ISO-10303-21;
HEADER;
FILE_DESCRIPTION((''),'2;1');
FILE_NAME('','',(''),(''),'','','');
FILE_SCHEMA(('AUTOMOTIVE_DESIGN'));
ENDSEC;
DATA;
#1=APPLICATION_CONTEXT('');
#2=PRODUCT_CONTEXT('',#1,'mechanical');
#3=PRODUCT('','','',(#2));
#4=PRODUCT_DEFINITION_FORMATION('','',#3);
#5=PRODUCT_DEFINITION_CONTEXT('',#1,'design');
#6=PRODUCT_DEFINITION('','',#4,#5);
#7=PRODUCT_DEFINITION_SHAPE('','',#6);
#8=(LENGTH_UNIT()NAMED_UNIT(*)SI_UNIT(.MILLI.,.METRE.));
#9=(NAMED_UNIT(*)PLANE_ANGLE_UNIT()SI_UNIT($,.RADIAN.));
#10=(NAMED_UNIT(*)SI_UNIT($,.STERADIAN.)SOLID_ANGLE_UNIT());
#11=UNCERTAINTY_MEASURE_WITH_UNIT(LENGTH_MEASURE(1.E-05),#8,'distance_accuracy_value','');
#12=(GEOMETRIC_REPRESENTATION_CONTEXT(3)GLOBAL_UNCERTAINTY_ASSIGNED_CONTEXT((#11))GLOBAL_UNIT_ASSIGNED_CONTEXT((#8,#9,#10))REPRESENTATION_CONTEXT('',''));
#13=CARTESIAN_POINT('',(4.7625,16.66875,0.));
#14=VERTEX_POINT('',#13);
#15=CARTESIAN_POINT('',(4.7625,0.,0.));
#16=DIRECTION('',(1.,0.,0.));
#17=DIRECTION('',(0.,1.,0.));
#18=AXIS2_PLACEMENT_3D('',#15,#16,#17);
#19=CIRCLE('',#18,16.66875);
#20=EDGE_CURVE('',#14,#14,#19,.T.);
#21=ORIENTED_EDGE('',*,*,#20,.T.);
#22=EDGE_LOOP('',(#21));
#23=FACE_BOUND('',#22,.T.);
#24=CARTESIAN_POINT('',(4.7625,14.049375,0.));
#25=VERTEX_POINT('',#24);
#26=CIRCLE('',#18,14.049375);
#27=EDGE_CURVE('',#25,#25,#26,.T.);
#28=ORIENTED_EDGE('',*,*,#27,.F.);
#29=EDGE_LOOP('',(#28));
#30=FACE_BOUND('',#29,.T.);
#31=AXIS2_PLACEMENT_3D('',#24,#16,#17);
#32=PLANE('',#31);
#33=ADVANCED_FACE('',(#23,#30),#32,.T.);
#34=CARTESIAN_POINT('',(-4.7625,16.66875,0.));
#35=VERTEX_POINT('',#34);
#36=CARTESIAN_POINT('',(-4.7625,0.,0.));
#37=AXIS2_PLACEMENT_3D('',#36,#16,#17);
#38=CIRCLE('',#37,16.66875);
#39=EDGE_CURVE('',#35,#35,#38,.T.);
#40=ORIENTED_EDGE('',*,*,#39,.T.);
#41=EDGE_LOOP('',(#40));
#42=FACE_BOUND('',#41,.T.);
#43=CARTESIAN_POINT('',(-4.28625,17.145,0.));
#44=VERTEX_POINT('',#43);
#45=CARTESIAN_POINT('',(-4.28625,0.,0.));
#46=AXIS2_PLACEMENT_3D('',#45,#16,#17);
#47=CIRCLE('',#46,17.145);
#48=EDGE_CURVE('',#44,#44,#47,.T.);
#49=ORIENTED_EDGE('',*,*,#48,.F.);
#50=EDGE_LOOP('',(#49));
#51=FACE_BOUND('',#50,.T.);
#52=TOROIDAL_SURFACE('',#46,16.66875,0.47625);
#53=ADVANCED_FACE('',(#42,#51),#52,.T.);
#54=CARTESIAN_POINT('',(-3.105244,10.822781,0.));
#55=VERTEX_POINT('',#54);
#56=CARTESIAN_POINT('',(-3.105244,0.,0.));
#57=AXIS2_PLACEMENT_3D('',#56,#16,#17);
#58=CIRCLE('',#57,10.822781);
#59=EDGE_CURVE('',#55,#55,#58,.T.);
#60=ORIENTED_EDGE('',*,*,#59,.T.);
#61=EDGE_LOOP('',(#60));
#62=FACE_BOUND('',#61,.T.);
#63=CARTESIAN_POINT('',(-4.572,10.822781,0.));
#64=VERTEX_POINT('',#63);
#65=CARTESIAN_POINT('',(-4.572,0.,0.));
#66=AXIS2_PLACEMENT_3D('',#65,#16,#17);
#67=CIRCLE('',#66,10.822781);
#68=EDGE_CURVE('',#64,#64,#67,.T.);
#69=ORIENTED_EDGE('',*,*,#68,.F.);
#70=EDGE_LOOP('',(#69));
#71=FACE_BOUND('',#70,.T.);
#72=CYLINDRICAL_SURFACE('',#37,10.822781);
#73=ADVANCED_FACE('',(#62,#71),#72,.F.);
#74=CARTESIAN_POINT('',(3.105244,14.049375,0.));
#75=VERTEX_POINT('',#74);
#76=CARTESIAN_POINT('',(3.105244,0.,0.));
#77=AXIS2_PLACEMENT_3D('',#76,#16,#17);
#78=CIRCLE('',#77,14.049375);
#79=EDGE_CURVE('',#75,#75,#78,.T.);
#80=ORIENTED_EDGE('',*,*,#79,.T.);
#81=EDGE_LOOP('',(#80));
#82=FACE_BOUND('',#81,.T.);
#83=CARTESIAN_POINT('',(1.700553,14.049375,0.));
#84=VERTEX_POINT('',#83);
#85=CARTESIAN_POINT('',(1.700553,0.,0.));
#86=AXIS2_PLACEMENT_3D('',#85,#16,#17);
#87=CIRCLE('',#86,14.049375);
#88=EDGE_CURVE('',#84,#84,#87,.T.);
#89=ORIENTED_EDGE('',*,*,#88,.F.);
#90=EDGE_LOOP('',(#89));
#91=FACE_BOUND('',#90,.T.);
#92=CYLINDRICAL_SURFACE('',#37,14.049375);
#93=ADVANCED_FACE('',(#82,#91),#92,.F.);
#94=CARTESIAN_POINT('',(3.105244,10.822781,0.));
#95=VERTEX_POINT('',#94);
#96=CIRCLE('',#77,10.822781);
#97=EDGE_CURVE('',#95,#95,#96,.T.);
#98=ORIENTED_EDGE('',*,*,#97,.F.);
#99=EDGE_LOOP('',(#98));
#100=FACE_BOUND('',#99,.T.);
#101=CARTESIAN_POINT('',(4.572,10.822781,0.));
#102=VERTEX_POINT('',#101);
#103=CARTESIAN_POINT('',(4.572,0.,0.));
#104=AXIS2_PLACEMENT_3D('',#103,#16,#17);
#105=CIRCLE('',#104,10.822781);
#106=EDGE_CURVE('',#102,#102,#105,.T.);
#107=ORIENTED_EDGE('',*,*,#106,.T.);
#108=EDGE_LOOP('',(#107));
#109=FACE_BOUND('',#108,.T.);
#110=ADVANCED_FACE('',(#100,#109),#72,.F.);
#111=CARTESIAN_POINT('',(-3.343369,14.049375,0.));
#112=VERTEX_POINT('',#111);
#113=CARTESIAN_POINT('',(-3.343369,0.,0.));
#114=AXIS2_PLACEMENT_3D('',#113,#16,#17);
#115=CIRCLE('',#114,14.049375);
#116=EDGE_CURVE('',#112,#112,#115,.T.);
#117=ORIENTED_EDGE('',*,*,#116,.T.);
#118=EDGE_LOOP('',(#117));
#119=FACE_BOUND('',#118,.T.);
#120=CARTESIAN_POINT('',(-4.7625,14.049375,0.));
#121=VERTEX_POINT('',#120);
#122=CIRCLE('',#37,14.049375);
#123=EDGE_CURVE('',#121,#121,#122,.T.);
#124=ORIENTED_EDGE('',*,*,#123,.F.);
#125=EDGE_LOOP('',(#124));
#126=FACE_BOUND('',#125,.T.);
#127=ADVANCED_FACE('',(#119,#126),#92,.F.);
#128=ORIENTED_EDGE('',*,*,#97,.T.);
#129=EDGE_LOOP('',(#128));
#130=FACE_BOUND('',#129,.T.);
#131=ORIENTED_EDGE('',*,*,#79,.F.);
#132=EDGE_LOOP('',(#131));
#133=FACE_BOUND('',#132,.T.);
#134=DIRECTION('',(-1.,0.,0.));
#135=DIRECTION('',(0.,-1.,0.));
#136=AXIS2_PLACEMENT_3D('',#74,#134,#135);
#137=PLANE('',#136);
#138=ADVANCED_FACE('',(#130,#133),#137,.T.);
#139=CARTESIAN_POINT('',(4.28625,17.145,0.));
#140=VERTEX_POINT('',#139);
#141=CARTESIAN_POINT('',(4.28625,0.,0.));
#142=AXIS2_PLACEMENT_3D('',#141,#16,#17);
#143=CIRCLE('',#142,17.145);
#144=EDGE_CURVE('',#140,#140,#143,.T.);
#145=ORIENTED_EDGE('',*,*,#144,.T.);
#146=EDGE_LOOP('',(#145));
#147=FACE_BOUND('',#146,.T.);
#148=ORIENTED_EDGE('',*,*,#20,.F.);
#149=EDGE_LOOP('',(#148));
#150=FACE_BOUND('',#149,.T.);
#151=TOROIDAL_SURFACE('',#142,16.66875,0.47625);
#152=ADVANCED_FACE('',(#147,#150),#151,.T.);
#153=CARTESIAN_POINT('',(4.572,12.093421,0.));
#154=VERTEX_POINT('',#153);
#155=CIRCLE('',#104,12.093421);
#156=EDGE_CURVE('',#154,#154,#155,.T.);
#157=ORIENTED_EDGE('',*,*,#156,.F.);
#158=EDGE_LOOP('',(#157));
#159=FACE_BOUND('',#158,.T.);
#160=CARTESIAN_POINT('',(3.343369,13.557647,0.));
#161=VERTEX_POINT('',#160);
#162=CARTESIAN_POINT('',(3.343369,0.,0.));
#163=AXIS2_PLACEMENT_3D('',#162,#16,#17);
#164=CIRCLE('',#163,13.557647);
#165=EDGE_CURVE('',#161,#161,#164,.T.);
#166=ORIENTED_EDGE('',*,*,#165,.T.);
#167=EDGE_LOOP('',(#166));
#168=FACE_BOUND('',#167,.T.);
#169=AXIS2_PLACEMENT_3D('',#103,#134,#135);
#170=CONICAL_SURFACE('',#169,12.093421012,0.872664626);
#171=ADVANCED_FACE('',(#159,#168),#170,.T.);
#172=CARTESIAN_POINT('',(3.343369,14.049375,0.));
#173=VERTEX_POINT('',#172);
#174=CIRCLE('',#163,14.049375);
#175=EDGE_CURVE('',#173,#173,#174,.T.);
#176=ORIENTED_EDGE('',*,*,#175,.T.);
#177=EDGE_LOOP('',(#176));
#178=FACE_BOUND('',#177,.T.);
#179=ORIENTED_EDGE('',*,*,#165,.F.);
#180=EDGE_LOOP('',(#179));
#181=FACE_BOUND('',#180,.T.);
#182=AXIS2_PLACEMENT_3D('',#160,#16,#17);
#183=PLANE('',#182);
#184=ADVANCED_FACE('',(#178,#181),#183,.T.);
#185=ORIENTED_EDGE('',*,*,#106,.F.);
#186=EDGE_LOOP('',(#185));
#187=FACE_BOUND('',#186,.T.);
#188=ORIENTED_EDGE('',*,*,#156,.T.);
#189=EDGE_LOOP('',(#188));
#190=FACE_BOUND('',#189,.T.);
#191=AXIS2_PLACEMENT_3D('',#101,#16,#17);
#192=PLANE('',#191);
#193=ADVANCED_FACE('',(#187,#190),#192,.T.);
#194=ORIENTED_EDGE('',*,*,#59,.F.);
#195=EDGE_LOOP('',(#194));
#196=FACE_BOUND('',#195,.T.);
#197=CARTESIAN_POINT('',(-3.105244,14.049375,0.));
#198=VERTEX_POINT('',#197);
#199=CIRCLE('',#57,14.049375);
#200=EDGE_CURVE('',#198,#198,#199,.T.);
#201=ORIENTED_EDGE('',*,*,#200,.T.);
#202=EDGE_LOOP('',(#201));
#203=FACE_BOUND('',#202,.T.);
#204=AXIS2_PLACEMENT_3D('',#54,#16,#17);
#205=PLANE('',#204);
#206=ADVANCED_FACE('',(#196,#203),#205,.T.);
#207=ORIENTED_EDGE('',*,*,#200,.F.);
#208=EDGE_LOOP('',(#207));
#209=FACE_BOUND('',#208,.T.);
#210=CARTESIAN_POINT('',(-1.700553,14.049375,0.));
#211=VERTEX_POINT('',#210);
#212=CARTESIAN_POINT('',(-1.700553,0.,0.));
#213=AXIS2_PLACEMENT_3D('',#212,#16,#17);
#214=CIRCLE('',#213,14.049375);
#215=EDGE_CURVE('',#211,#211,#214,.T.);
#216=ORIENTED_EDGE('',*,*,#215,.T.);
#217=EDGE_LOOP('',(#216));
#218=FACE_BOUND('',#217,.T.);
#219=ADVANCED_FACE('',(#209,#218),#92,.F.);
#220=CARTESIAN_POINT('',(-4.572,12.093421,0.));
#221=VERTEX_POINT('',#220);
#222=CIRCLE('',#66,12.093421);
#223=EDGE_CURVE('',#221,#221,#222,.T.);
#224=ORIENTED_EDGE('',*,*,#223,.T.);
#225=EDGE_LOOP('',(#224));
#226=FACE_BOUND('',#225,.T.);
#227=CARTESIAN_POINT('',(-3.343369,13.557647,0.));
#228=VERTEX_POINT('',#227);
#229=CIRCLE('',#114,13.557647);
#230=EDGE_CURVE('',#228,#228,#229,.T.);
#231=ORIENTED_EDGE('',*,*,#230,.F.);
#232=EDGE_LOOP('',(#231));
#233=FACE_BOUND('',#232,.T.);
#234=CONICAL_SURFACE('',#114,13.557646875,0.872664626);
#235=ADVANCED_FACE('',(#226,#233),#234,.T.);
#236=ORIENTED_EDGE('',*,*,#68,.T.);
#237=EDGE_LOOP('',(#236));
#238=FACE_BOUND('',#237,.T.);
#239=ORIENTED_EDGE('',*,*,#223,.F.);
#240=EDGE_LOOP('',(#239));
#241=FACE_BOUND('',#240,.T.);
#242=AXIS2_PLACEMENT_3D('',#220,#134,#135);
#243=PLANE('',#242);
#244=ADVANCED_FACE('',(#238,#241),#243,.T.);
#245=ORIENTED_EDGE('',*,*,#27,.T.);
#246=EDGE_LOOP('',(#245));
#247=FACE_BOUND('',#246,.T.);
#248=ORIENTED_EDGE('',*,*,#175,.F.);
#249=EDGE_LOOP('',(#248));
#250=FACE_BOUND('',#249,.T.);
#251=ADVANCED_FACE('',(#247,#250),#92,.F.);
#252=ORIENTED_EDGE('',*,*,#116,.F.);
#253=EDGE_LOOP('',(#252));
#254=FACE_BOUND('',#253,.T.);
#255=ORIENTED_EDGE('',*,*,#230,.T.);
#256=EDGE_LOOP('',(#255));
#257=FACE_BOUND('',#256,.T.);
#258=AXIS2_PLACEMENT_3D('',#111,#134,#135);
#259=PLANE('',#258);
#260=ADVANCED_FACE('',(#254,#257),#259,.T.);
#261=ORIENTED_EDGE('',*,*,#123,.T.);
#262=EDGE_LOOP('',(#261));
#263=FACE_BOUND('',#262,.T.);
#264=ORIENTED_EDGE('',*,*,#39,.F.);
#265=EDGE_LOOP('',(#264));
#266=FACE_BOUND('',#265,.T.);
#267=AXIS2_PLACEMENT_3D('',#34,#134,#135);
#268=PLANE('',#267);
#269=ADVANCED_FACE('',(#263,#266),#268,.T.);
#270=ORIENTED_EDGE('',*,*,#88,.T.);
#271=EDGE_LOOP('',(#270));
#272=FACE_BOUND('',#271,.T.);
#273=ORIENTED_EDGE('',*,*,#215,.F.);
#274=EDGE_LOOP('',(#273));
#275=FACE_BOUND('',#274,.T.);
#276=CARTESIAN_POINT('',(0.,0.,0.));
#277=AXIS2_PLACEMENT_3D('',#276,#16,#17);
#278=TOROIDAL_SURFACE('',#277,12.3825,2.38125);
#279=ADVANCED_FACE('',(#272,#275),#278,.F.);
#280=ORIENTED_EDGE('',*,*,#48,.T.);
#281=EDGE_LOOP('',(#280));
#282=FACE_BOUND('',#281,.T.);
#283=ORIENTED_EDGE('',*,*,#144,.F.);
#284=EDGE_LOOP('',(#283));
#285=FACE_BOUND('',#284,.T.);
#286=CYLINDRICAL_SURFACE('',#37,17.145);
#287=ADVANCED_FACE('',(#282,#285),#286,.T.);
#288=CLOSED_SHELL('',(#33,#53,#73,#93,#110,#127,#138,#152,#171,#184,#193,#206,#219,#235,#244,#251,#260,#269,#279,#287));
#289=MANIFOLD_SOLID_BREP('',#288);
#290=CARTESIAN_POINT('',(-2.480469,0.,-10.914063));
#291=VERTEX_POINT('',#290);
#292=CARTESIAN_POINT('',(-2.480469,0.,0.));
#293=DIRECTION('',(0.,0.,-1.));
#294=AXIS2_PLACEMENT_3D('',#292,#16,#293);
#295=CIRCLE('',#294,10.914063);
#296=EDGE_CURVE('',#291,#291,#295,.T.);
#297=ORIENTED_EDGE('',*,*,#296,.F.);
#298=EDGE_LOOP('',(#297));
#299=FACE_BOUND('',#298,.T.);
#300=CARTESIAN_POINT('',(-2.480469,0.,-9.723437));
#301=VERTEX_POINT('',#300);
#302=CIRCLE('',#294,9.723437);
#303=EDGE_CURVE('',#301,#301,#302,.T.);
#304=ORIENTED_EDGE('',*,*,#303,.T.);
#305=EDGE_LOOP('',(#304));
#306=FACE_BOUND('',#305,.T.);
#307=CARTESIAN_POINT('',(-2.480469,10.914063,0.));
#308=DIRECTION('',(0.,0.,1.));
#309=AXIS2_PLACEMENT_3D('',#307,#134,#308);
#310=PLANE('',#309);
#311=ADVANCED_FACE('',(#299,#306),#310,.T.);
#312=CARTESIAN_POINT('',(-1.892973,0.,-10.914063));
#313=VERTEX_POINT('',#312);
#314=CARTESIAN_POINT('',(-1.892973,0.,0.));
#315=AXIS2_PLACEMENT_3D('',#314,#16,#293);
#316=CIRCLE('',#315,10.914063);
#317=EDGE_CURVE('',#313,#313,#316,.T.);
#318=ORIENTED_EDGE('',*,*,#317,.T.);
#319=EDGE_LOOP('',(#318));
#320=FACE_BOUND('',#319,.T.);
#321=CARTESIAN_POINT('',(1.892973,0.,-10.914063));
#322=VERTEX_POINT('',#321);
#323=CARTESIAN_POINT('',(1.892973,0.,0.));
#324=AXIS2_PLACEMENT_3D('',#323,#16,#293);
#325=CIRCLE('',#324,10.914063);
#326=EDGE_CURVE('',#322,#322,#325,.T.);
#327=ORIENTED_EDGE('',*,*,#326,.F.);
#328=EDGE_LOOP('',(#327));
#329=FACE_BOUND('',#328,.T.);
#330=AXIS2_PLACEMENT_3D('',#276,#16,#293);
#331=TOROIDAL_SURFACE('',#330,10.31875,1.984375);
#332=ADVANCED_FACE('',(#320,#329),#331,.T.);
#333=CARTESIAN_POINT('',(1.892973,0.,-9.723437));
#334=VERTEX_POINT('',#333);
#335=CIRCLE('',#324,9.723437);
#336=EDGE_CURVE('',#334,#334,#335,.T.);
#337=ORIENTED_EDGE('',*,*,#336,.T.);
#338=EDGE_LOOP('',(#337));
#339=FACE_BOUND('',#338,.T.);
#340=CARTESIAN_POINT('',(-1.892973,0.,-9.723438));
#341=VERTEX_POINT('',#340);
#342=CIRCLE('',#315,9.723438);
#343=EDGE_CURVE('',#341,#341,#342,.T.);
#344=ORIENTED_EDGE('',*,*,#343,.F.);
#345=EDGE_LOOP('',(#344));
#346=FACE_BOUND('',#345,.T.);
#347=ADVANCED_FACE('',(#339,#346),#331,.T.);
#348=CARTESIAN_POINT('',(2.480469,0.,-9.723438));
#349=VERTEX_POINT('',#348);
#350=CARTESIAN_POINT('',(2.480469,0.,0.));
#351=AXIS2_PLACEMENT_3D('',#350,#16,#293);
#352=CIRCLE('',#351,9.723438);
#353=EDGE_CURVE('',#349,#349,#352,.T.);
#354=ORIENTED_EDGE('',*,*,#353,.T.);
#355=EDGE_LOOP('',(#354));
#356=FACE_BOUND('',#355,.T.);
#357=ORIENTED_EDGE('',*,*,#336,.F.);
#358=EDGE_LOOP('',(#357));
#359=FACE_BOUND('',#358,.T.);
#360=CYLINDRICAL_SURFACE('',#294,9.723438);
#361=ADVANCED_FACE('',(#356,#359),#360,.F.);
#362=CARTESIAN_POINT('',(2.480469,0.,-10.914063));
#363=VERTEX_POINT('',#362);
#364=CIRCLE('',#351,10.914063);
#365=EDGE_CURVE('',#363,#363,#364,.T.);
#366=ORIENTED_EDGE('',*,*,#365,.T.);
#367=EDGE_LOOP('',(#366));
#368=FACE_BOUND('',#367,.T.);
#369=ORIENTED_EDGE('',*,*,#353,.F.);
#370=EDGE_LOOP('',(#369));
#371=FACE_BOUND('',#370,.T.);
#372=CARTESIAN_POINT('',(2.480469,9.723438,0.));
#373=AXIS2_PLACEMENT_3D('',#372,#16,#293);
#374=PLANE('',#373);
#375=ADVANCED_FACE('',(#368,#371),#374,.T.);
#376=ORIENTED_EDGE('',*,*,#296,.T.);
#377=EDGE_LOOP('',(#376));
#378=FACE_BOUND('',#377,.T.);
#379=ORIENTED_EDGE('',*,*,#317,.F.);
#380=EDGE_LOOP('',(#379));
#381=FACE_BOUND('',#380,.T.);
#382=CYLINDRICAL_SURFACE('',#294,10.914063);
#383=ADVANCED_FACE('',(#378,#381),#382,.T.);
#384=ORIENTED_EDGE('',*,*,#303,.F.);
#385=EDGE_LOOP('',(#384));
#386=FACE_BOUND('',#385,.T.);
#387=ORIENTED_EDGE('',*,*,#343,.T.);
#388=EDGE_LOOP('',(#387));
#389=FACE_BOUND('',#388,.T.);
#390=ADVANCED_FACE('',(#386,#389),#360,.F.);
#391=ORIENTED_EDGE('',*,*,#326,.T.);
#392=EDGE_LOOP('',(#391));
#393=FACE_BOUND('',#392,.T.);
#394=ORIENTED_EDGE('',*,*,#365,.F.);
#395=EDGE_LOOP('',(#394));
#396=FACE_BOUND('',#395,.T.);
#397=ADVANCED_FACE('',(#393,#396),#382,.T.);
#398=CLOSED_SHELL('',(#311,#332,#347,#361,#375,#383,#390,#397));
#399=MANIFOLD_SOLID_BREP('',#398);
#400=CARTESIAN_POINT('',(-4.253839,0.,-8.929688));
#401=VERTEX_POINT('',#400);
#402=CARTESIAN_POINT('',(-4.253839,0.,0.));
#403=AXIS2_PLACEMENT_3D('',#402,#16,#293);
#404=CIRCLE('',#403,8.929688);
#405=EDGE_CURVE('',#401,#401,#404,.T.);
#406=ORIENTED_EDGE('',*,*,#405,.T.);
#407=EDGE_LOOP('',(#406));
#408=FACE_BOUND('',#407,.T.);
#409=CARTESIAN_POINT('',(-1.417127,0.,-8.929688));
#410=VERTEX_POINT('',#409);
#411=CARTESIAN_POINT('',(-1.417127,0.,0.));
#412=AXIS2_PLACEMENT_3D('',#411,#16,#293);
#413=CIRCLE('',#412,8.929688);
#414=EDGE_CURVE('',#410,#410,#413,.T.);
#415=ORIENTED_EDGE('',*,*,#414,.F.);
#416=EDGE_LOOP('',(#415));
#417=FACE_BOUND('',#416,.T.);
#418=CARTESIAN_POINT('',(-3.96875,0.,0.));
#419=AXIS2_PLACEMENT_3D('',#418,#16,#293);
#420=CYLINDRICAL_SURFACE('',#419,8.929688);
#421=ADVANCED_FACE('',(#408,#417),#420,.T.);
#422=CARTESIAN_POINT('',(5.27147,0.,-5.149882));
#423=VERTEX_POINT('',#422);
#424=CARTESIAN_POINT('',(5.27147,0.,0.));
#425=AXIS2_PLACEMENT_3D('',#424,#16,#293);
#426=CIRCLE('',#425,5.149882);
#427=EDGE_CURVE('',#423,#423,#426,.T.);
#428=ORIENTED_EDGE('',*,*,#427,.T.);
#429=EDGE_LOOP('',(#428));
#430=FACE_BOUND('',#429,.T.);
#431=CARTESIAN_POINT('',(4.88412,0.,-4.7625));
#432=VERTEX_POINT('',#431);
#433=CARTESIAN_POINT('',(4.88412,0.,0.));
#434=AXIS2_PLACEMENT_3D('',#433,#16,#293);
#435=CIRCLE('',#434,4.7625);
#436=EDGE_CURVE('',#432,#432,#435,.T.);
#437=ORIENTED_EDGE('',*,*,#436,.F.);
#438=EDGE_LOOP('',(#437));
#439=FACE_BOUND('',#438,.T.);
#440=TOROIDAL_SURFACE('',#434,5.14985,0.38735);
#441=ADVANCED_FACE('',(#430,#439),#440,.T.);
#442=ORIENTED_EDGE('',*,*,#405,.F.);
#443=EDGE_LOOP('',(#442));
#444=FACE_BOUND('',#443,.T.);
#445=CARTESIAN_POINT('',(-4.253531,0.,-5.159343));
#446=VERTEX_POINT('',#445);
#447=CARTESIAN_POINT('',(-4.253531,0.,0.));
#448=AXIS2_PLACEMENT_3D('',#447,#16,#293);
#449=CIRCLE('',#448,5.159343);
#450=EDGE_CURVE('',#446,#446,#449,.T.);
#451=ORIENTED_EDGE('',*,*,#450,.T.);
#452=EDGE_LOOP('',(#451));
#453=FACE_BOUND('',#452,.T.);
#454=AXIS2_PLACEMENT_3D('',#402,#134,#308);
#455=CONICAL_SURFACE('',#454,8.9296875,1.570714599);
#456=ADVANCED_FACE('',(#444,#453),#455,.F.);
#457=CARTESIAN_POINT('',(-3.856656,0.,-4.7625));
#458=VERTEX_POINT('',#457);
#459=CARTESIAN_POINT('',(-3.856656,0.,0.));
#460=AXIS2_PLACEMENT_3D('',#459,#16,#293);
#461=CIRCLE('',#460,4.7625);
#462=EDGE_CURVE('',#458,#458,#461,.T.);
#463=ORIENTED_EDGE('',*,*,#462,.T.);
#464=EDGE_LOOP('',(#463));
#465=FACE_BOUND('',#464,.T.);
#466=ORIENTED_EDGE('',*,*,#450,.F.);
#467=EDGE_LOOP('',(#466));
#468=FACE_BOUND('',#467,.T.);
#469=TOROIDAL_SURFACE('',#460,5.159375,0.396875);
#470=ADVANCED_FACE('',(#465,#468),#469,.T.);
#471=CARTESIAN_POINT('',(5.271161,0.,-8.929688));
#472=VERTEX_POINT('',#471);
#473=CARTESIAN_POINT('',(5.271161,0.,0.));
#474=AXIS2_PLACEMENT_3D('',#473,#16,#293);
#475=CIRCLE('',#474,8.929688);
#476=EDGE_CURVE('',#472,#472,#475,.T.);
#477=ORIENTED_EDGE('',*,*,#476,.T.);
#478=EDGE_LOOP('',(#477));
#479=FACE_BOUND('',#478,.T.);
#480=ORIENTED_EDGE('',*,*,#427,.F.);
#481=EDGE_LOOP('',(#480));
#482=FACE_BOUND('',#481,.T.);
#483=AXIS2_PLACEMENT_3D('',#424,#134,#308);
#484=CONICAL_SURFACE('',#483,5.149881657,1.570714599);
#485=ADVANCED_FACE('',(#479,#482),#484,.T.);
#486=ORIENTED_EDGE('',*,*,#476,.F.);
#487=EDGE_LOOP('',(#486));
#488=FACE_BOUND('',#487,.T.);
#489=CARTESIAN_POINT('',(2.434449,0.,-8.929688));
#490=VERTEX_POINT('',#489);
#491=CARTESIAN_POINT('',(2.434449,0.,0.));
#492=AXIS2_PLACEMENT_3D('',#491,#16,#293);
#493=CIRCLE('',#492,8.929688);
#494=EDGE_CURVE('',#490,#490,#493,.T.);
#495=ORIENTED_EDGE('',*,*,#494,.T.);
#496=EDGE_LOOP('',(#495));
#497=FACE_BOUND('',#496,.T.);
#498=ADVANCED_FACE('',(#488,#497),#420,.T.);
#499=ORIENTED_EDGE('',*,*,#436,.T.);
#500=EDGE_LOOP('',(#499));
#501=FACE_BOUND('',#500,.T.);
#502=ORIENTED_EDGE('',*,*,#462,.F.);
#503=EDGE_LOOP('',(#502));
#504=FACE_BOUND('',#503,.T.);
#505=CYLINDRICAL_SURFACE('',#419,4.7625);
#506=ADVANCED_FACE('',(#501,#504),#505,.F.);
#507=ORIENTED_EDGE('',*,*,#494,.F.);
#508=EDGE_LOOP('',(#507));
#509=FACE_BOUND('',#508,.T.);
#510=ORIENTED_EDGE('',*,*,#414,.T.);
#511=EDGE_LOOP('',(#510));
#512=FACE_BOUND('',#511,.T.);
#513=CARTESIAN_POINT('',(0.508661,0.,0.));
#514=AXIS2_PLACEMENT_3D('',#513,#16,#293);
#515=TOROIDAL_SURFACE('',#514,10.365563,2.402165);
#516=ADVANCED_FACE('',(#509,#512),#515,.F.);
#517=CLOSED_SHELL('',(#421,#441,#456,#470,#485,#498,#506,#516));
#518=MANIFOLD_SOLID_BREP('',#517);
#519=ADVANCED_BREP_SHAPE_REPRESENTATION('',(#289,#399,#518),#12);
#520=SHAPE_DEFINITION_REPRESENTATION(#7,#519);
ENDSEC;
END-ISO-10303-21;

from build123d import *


with BuildPart() as part:
    # Sketch3 → Revolve2 (revolve)
    with BuildSketch(Plane.XY):
        with BuildLine():
            Line((-3.105243619, 14.049375), (-1.700552645, 14.049375))
            ThreePointArc((-1.700552645, 14.049375), (0, 14.76375), (1.700552645, 14.049375))
            Line((1.700552645, 14.049375), (3.105243619, 14.049375))
            Line((3.105243619, 14.049375), (3.105243619, 10.82278125))
            Line((3.105243619, 10.82278125), (4.572, 10.82278125))
            Line((4.572, 10.82278125), (4.572, 12.093421012))
            Line((4.572, 12.093421012), (3.343368619, 13.557646875))
            Line((3.343368619, 13.557646875), (3.343368619, 14.049375))
            Line((3.343368619, 14.049375), (4.7625, 14.049375))
            Line((4.7625, 14.049375), (4.7625, 16.66875))
            ThreePointArc((4.7625, 16.66875), (4.623009605, 17.005509605), (4.28625, 17.145))
            Line((4.28625, 17.145), (-4.28625, 17.145))
            ThreePointArc((-4.28625, 17.145), (-4.623009605, 17.005509605), (-4.7625, 16.66875))
            Line((-4.7625, 16.66875), (-4.7625, 14.049375))
            Line((-4.7625, 14.049375), (-3.343368619, 14.049375))
            Line((-3.343368619, 14.049375), (-3.343368619, 13.557646875))
            Line((-3.343368619, 13.557646875), (-4.572, 12.093421012))
            Line((-4.572, 12.093421012), (-4.572, 10.82278125))
            Line((-4.572, 10.82278125), (-3.105243619, 10.82278125))
            Line((-3.105243619, 10.82278125), (-3.105243619, 14.049375))
        make_face()
    revolve(axis=Axis((-4.7625, 0, 0), (1, 0, 0)))


with BuildPart() as body_2:
    # Sketch5 → Revolve3 (revolve)
    with BuildSketch(Plane.XY, mode=Mode.PRIVATE) as revolve3_sk:
        with BuildLine():
            Line((5.271161056, 8.9296875), (2.434449285, 8.9296875))
            ThreePointArc((2.434449285, 8.9296875), (0.50866104, 7.963397471), (-1.417127204, 8.9296875))
            Line((-1.417127204, 8.9296875), (-4.253838976, 8.9296875))
            Line((-4.253838976, 8.9296875), (-4.253530832, 5.159342564))
            ThreePointArc((-4.253530832, 5.159342564), (-4.137277369, 4.878730529), (-3.856655833, 4.7625))
            Line((-3.856655833, 4.7625), (4.884119974, 4.7625))
            ThreePointArc((4.884119974, 4.7625), (5.158028978, 4.875963381), (5.271469973, 5.149881657))
            Line((5.271469973, 5.149881657), (5.271161056, 8.9296875))
        make_face()
    revolve(revolve3_sk.sketch.rotate(Axis((-3.96875, 0, 0), (1, 0, 0)), 270), axis=Axis((-3.96875, 0, 0), (1, 0, 0)))


with BuildPart() as body_3:
    # Sketch7 → Revolve4 (revolve)
    with BuildSketch(Plane.XY, mode=Mode.PRIVATE) as revolve4_sk:
        with BuildLine():
            Line((1.892973102, 9.723437498), (2.480468749, 9.723437506))
            Line((2.480468749, 9.723437506), (2.480468749, 10.914062506))
            Line((2.480468749, 10.914062506), (1.892973102, 10.914062504))
            ThreePointArc((1.892973102, 10.914062504), (-2e-09, 12.303125001), (-1.892973103, 10.9140625))
            Line((-1.892973103, 10.9140625), (-2.480468751, 10.9140625))
            Line((-2.480468751, 10.9140625), (-2.480468751, 9.7234375))
            Line((-2.480468751, 9.7234375), (-1.892973103, 9.723437502))
            ThreePointArc((-1.892973103, 9.723437502), (-2e-09, 8.334375), (1.892973102, 9.723437498))
        make_face()
    revolve(revolve4_sk.sketch.rotate(Axis((-2.48046875, 0, 0), (1, 0, 0)), 270), axis=Axis((-2.48046875, 0, 0), (1, 0, 0)))


solid = Compound([part.part, body_2.part, body_3.part])
